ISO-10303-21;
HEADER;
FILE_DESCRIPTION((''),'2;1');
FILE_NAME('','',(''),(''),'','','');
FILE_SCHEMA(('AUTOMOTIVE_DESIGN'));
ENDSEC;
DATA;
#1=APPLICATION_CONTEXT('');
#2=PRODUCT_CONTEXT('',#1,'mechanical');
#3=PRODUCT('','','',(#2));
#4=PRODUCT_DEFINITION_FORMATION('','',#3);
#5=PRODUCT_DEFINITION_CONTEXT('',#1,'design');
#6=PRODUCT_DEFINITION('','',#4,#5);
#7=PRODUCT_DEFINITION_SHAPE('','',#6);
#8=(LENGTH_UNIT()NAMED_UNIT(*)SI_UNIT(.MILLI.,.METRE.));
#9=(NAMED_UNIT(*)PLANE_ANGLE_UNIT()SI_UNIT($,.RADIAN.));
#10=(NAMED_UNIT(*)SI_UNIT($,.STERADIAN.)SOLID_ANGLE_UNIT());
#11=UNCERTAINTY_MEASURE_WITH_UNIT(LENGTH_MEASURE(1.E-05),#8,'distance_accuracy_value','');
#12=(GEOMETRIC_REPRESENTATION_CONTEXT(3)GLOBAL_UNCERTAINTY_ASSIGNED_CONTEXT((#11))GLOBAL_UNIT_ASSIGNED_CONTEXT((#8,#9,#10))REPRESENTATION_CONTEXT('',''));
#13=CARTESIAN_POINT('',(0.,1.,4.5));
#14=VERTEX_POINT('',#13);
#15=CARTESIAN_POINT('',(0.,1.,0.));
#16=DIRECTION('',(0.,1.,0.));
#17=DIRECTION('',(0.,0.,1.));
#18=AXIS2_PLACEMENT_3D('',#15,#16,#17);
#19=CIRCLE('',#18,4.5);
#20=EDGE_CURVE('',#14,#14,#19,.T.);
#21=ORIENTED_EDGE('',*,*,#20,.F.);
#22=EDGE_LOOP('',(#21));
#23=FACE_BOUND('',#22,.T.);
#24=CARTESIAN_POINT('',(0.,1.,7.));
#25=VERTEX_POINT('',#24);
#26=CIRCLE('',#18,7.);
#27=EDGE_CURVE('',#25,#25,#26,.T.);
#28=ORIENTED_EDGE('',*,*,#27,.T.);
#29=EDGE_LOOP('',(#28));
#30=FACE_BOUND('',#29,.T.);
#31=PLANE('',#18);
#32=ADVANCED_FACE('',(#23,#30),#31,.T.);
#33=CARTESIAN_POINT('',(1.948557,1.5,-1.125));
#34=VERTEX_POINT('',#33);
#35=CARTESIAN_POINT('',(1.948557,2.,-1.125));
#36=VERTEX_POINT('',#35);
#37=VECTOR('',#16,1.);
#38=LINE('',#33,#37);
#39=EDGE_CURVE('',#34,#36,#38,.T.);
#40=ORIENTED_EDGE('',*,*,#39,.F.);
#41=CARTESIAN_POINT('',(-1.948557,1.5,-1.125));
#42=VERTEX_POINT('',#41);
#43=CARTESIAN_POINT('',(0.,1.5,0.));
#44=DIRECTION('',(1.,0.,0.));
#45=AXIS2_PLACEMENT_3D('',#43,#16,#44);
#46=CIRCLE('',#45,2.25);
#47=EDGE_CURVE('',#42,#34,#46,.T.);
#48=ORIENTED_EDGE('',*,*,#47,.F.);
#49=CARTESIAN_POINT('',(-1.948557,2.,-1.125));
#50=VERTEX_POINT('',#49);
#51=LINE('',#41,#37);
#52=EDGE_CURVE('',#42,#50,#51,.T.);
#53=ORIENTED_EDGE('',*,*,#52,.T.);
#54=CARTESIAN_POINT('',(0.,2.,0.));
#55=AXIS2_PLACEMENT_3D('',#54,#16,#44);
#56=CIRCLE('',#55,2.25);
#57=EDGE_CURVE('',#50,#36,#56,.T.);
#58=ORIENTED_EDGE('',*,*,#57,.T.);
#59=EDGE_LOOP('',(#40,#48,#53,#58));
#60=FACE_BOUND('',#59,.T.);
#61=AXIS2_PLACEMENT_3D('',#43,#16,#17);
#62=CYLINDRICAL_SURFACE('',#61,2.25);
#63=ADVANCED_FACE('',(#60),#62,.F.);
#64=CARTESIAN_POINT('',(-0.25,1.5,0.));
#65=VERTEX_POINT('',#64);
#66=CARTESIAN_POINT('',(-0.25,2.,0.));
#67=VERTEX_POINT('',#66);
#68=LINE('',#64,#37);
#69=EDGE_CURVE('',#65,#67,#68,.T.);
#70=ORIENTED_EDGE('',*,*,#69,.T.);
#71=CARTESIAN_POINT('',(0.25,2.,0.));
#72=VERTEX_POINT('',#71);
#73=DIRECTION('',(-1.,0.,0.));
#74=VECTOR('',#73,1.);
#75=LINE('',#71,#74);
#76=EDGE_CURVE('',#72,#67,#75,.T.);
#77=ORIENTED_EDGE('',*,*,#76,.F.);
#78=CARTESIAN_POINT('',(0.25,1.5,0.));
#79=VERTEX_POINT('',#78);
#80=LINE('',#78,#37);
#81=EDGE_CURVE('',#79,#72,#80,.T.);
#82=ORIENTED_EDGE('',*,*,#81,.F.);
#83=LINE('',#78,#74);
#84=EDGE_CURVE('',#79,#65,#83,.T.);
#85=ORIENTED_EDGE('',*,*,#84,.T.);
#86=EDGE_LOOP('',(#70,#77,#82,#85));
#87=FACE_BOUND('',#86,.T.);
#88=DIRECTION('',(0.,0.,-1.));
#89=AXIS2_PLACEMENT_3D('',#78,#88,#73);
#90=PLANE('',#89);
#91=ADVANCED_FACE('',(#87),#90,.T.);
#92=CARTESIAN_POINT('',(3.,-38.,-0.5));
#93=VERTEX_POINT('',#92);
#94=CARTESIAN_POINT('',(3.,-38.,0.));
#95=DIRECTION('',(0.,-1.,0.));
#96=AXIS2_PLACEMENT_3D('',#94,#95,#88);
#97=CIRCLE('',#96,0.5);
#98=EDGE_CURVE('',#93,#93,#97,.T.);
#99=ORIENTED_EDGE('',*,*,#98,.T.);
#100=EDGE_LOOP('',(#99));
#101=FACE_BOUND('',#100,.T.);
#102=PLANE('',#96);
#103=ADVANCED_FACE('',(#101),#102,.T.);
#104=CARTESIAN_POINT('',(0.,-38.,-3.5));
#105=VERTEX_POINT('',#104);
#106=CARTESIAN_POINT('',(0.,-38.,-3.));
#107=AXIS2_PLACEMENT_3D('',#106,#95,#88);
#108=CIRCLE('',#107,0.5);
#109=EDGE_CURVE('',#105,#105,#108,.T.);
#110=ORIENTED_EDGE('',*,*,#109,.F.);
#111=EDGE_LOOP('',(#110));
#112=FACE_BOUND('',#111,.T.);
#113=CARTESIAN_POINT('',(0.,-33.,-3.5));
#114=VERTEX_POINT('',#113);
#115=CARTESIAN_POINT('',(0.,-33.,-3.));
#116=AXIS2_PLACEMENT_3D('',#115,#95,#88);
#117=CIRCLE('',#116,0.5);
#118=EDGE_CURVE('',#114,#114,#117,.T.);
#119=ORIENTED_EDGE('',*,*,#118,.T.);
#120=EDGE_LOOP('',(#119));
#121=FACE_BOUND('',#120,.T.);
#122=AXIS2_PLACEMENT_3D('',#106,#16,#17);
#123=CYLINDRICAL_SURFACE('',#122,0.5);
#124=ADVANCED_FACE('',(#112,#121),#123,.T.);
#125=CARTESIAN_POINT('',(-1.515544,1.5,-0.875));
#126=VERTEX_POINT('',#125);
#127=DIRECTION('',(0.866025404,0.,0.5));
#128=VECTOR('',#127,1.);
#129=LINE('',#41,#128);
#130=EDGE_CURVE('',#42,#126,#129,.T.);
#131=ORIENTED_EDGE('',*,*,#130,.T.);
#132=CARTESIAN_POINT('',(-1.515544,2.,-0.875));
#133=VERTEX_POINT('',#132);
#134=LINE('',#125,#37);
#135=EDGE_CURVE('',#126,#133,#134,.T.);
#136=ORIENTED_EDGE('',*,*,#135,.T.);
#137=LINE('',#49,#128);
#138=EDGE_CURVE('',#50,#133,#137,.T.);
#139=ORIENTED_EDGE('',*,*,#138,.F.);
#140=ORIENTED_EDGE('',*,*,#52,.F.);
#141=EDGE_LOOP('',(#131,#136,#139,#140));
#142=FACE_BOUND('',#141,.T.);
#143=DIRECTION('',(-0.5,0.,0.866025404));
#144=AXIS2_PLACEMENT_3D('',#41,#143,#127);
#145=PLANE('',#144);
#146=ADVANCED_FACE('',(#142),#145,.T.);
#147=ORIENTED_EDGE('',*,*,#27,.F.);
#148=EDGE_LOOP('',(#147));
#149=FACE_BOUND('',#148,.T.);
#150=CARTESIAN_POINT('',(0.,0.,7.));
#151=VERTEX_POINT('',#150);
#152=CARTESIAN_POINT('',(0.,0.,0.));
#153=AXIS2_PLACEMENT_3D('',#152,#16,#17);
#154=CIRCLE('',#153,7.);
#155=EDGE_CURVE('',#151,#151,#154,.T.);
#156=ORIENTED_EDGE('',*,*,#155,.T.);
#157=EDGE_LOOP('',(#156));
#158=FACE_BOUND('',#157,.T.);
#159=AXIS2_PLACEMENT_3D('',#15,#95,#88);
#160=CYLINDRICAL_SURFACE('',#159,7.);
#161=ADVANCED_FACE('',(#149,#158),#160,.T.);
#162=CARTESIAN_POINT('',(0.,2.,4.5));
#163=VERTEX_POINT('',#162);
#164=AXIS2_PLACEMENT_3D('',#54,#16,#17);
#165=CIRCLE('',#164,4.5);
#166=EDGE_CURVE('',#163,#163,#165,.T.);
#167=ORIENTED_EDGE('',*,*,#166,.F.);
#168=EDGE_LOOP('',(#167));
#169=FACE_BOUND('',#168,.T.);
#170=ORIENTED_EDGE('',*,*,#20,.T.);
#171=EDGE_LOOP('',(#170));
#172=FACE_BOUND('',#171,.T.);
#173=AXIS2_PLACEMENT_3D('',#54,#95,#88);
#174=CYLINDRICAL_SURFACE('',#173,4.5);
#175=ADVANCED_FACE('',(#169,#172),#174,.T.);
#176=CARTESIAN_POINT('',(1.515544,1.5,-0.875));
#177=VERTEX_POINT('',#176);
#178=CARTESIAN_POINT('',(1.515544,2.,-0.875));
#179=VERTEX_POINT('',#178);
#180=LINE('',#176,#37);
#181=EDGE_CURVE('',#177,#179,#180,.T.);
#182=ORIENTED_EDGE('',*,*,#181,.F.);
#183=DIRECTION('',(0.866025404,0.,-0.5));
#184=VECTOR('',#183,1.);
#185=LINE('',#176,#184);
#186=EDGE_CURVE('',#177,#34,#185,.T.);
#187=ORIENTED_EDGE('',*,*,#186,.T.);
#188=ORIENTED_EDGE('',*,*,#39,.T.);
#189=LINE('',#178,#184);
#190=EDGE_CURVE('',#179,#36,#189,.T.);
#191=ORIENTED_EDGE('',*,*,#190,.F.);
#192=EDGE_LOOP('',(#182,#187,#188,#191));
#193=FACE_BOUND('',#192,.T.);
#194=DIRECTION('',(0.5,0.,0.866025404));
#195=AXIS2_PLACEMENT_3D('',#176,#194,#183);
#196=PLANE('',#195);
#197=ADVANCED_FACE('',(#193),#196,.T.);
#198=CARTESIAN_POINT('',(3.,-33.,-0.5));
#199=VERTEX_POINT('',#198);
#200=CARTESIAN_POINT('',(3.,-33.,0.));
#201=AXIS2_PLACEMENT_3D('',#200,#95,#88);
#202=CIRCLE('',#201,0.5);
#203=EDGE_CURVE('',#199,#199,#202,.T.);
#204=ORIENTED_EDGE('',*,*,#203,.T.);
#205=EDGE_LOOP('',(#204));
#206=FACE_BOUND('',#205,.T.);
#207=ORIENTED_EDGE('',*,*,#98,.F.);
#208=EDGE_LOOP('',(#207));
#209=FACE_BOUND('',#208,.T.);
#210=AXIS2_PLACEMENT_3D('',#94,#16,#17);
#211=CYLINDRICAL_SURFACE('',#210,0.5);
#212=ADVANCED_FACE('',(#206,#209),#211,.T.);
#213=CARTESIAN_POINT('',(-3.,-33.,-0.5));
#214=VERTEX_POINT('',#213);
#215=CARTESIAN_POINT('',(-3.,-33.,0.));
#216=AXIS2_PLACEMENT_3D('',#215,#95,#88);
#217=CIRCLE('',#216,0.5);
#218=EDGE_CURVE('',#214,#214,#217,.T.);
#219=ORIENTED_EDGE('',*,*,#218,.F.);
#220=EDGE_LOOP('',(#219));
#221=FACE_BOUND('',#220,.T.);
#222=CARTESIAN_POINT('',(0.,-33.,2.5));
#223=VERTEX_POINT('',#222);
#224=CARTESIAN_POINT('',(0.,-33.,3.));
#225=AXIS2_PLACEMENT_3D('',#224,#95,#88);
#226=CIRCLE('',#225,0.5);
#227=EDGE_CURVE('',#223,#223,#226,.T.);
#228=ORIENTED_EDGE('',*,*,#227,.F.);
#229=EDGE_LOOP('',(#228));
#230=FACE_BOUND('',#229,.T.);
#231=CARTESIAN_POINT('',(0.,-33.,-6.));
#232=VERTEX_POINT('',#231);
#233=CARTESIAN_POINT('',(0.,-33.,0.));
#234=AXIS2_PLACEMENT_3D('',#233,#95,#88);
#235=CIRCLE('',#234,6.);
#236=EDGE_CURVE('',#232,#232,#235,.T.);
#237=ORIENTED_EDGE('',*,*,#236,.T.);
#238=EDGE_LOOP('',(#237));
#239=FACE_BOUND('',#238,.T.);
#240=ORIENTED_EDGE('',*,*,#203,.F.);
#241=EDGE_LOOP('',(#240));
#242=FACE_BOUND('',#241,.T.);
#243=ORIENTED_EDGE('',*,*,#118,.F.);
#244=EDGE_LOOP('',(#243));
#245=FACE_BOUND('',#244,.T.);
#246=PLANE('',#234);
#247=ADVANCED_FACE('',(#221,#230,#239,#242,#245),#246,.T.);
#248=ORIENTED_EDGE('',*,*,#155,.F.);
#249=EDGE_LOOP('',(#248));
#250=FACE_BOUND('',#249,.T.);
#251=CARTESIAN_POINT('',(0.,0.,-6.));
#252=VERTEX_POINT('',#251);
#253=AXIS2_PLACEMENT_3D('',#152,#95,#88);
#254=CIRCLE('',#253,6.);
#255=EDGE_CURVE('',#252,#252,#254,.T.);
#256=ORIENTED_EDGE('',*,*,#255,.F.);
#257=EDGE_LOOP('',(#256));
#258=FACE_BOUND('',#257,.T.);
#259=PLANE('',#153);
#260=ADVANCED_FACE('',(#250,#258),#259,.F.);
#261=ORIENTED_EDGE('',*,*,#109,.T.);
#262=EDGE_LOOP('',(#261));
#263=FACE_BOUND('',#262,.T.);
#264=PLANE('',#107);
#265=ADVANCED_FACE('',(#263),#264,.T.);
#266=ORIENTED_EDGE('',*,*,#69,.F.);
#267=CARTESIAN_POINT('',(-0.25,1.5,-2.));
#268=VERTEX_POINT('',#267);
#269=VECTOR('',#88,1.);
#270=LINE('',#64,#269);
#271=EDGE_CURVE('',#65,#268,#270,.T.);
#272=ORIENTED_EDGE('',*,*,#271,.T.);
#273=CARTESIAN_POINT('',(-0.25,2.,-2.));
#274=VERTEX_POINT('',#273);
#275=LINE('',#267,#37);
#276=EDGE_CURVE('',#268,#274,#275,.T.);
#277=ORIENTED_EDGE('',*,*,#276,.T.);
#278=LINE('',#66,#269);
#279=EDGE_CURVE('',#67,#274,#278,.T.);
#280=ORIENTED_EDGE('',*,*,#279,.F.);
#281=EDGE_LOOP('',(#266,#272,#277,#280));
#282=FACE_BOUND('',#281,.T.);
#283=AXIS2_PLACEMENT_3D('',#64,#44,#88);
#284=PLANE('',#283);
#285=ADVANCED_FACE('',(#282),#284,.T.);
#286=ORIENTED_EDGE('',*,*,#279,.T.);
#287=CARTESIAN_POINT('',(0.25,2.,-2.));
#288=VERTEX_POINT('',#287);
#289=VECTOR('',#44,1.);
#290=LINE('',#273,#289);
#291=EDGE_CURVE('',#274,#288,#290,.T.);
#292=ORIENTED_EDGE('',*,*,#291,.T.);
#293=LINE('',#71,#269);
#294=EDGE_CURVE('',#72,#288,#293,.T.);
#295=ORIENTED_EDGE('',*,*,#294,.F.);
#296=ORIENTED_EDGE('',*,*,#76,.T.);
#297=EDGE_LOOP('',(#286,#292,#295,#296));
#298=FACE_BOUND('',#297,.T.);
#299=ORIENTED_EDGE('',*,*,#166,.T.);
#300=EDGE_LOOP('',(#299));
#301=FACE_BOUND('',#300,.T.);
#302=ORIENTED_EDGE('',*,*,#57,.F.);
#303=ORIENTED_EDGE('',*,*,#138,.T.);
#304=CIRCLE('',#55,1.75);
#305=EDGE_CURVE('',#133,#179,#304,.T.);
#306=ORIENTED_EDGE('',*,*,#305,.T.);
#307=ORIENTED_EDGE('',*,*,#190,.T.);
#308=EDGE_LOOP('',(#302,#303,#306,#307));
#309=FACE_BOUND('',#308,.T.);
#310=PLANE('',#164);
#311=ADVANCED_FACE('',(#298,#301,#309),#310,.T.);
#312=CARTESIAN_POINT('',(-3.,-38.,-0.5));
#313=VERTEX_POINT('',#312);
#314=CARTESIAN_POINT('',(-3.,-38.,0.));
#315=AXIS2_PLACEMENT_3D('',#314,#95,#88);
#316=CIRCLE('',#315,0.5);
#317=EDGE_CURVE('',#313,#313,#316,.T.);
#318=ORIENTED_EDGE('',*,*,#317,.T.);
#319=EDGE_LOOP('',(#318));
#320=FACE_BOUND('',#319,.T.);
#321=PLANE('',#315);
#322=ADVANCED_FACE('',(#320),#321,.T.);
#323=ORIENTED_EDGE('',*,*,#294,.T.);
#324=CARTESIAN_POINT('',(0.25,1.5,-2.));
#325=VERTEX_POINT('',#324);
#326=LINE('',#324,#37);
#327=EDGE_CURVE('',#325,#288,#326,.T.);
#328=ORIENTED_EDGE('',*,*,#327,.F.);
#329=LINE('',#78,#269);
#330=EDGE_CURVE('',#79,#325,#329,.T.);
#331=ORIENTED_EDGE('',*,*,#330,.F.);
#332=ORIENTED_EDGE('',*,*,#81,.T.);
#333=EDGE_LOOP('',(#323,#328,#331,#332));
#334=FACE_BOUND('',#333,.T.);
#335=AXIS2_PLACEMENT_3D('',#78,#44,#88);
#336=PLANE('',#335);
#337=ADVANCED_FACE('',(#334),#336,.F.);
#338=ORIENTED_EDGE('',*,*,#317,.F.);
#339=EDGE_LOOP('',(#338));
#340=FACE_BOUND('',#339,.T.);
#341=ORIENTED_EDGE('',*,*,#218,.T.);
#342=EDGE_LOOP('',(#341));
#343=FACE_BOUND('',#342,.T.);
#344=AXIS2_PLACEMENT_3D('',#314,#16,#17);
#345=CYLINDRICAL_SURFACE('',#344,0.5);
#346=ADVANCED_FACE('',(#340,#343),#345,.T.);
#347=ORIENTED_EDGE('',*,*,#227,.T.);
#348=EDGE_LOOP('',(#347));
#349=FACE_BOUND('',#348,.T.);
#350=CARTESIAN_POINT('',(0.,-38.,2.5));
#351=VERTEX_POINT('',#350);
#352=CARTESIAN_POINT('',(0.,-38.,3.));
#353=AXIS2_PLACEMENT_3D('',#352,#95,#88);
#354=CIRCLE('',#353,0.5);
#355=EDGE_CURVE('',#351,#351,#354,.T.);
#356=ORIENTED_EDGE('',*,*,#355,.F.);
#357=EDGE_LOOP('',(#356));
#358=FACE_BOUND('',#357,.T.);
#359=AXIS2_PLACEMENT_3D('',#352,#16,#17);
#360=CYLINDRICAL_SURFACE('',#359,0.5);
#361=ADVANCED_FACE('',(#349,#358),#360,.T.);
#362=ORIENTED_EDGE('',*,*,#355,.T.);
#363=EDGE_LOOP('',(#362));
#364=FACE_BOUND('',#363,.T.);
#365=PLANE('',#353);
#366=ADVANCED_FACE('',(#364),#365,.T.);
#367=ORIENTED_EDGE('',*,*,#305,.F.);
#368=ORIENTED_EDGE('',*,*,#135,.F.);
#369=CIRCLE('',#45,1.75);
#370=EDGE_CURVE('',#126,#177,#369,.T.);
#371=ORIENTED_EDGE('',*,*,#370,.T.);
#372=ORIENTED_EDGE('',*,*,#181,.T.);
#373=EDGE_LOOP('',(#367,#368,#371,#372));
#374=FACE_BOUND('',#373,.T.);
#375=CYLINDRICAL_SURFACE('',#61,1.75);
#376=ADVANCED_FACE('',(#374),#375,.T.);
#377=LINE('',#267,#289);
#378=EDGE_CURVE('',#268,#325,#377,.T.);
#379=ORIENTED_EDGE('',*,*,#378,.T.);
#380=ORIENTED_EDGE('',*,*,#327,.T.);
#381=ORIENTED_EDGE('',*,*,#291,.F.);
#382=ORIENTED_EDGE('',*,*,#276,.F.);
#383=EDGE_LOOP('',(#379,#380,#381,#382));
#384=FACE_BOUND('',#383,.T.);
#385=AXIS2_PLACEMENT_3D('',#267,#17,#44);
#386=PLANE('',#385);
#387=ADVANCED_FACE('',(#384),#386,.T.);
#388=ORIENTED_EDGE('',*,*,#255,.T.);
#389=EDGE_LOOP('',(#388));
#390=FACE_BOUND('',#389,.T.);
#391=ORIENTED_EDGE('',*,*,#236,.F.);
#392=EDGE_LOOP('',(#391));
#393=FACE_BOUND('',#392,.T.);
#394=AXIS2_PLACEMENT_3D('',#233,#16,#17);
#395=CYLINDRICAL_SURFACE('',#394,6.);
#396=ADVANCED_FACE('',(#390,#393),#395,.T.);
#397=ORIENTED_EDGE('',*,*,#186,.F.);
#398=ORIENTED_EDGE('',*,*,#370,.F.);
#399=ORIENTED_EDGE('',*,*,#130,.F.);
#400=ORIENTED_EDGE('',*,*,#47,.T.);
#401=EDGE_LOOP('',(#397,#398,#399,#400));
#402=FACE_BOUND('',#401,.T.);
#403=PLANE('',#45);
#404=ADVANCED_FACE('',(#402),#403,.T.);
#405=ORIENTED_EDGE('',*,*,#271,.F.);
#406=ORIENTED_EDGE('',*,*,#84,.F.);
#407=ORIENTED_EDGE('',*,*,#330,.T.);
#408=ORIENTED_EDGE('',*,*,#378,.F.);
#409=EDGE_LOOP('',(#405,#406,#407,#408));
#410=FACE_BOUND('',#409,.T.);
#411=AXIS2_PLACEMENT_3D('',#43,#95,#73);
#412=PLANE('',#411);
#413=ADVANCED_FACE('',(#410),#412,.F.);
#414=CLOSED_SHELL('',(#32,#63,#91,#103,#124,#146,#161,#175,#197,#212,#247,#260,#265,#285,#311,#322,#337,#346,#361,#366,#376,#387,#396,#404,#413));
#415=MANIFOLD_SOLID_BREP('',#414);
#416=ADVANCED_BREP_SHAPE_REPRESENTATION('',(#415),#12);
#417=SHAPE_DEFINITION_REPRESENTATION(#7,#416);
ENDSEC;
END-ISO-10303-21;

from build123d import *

# Parameters (mm, degrees)
SKETCH_1_R          = 7
EXTRUDE_1_DEPTH     = 1
SKETCH_2_R          = 4.5
EXTRUDE_2_DEPTH     = 1
SKETCH_3_W          = 0.5
SKETCH_3_H          = 2
CUT_EXTRUDE_1_DEPTH = 0.5
SKETCH_4_R          = 6
EXTRUDE_3_DEPTH     = 33
SKETCH_5_R          = 0.5
EXTRUDE_4_DEPTH     = 5


with BuildPart() as part:
    # 草图1 → 凸台-拉伸1 (new body)
    with BuildSketch(Plane(origin=(0, 0, 0), x_dir=(1, 0, 0), z_dir=(0, 1, 0))):
        with Locations(Location((0, 0, 0), (0, 0, 270))):
            Circle(SKETCH_1_R)
    extrude(amount=EXTRUDE_1_DEPTH)

    # 草图2 → 凸台-拉伸2 (add)
    with BuildSketch(Plane(origin=(0, 1, 0), x_dir=(1, 0, 0), z_dir=(0, 1, 0))):
        with Locations(Location((0, 0, 0), (0, 0, 270))):
            Circle(SKETCH_2_R)
    extrude(amount=EXTRUDE_2_DEPTH)

    # 草图3 → 切除-拉伸-薄壁1 (cut)
    with BuildSketch(Plane(origin=(0, 2, 0), x_dir=(1, 0, 0), z_dir=(0, 1, 0))):
        with Locations((0, 1)):
            Rectangle(SKETCH_3_W, SKETCH_3_H)
        with BuildLine():
            ThreePointArc((-1.948557159, 1.125), (0, -2.25), (1.948557159, 1.125))
            Line((1.948557159, 1.125), (1.515544457, 0.875))
            ThreePointArc((1.515544457, 0.875), (0, -1.75), (-1.515544457, 0.875))
            Line((-1.515544457, 0.875), (-1.948557159, 1.125))
        make_face()
    extrude(amount=-CUT_EXTRUDE_1_DEPTH, mode=Mode.SUBTRACT)

    # 草图4 → 凸台-拉伸3 (add)
    with BuildSketch(Plane.XZ):
        with Locations(Location((0, 0, 0), (0, 0, 270))):
            Circle(SKETCH_4_R)
    extrude(amount=EXTRUDE_3_DEPTH)

    # 草图5 → 凸台-拉伸4 (add)
    with BuildSketch(Plane.XZ.offset(33)):
        with Locations(Location((0, 3, 0), (0, 0, 270))):
            Circle(SKETCH_5_R)
        with Locations(Location((3, 0, 0), (0, 0, 270))):
            Circle(SKETCH_5_R)
        with Locations(Location((0, -3, 0), (0, 0, 270))):
            Circle(SKETCH_5_R)
        with Locations(Location((-3, 0, 0), (0, 0, 270))):
            Circle(SKETCH_5_R)
    extrude(amount=EXTRUDE_4_DEPTH)


solid = part.part
